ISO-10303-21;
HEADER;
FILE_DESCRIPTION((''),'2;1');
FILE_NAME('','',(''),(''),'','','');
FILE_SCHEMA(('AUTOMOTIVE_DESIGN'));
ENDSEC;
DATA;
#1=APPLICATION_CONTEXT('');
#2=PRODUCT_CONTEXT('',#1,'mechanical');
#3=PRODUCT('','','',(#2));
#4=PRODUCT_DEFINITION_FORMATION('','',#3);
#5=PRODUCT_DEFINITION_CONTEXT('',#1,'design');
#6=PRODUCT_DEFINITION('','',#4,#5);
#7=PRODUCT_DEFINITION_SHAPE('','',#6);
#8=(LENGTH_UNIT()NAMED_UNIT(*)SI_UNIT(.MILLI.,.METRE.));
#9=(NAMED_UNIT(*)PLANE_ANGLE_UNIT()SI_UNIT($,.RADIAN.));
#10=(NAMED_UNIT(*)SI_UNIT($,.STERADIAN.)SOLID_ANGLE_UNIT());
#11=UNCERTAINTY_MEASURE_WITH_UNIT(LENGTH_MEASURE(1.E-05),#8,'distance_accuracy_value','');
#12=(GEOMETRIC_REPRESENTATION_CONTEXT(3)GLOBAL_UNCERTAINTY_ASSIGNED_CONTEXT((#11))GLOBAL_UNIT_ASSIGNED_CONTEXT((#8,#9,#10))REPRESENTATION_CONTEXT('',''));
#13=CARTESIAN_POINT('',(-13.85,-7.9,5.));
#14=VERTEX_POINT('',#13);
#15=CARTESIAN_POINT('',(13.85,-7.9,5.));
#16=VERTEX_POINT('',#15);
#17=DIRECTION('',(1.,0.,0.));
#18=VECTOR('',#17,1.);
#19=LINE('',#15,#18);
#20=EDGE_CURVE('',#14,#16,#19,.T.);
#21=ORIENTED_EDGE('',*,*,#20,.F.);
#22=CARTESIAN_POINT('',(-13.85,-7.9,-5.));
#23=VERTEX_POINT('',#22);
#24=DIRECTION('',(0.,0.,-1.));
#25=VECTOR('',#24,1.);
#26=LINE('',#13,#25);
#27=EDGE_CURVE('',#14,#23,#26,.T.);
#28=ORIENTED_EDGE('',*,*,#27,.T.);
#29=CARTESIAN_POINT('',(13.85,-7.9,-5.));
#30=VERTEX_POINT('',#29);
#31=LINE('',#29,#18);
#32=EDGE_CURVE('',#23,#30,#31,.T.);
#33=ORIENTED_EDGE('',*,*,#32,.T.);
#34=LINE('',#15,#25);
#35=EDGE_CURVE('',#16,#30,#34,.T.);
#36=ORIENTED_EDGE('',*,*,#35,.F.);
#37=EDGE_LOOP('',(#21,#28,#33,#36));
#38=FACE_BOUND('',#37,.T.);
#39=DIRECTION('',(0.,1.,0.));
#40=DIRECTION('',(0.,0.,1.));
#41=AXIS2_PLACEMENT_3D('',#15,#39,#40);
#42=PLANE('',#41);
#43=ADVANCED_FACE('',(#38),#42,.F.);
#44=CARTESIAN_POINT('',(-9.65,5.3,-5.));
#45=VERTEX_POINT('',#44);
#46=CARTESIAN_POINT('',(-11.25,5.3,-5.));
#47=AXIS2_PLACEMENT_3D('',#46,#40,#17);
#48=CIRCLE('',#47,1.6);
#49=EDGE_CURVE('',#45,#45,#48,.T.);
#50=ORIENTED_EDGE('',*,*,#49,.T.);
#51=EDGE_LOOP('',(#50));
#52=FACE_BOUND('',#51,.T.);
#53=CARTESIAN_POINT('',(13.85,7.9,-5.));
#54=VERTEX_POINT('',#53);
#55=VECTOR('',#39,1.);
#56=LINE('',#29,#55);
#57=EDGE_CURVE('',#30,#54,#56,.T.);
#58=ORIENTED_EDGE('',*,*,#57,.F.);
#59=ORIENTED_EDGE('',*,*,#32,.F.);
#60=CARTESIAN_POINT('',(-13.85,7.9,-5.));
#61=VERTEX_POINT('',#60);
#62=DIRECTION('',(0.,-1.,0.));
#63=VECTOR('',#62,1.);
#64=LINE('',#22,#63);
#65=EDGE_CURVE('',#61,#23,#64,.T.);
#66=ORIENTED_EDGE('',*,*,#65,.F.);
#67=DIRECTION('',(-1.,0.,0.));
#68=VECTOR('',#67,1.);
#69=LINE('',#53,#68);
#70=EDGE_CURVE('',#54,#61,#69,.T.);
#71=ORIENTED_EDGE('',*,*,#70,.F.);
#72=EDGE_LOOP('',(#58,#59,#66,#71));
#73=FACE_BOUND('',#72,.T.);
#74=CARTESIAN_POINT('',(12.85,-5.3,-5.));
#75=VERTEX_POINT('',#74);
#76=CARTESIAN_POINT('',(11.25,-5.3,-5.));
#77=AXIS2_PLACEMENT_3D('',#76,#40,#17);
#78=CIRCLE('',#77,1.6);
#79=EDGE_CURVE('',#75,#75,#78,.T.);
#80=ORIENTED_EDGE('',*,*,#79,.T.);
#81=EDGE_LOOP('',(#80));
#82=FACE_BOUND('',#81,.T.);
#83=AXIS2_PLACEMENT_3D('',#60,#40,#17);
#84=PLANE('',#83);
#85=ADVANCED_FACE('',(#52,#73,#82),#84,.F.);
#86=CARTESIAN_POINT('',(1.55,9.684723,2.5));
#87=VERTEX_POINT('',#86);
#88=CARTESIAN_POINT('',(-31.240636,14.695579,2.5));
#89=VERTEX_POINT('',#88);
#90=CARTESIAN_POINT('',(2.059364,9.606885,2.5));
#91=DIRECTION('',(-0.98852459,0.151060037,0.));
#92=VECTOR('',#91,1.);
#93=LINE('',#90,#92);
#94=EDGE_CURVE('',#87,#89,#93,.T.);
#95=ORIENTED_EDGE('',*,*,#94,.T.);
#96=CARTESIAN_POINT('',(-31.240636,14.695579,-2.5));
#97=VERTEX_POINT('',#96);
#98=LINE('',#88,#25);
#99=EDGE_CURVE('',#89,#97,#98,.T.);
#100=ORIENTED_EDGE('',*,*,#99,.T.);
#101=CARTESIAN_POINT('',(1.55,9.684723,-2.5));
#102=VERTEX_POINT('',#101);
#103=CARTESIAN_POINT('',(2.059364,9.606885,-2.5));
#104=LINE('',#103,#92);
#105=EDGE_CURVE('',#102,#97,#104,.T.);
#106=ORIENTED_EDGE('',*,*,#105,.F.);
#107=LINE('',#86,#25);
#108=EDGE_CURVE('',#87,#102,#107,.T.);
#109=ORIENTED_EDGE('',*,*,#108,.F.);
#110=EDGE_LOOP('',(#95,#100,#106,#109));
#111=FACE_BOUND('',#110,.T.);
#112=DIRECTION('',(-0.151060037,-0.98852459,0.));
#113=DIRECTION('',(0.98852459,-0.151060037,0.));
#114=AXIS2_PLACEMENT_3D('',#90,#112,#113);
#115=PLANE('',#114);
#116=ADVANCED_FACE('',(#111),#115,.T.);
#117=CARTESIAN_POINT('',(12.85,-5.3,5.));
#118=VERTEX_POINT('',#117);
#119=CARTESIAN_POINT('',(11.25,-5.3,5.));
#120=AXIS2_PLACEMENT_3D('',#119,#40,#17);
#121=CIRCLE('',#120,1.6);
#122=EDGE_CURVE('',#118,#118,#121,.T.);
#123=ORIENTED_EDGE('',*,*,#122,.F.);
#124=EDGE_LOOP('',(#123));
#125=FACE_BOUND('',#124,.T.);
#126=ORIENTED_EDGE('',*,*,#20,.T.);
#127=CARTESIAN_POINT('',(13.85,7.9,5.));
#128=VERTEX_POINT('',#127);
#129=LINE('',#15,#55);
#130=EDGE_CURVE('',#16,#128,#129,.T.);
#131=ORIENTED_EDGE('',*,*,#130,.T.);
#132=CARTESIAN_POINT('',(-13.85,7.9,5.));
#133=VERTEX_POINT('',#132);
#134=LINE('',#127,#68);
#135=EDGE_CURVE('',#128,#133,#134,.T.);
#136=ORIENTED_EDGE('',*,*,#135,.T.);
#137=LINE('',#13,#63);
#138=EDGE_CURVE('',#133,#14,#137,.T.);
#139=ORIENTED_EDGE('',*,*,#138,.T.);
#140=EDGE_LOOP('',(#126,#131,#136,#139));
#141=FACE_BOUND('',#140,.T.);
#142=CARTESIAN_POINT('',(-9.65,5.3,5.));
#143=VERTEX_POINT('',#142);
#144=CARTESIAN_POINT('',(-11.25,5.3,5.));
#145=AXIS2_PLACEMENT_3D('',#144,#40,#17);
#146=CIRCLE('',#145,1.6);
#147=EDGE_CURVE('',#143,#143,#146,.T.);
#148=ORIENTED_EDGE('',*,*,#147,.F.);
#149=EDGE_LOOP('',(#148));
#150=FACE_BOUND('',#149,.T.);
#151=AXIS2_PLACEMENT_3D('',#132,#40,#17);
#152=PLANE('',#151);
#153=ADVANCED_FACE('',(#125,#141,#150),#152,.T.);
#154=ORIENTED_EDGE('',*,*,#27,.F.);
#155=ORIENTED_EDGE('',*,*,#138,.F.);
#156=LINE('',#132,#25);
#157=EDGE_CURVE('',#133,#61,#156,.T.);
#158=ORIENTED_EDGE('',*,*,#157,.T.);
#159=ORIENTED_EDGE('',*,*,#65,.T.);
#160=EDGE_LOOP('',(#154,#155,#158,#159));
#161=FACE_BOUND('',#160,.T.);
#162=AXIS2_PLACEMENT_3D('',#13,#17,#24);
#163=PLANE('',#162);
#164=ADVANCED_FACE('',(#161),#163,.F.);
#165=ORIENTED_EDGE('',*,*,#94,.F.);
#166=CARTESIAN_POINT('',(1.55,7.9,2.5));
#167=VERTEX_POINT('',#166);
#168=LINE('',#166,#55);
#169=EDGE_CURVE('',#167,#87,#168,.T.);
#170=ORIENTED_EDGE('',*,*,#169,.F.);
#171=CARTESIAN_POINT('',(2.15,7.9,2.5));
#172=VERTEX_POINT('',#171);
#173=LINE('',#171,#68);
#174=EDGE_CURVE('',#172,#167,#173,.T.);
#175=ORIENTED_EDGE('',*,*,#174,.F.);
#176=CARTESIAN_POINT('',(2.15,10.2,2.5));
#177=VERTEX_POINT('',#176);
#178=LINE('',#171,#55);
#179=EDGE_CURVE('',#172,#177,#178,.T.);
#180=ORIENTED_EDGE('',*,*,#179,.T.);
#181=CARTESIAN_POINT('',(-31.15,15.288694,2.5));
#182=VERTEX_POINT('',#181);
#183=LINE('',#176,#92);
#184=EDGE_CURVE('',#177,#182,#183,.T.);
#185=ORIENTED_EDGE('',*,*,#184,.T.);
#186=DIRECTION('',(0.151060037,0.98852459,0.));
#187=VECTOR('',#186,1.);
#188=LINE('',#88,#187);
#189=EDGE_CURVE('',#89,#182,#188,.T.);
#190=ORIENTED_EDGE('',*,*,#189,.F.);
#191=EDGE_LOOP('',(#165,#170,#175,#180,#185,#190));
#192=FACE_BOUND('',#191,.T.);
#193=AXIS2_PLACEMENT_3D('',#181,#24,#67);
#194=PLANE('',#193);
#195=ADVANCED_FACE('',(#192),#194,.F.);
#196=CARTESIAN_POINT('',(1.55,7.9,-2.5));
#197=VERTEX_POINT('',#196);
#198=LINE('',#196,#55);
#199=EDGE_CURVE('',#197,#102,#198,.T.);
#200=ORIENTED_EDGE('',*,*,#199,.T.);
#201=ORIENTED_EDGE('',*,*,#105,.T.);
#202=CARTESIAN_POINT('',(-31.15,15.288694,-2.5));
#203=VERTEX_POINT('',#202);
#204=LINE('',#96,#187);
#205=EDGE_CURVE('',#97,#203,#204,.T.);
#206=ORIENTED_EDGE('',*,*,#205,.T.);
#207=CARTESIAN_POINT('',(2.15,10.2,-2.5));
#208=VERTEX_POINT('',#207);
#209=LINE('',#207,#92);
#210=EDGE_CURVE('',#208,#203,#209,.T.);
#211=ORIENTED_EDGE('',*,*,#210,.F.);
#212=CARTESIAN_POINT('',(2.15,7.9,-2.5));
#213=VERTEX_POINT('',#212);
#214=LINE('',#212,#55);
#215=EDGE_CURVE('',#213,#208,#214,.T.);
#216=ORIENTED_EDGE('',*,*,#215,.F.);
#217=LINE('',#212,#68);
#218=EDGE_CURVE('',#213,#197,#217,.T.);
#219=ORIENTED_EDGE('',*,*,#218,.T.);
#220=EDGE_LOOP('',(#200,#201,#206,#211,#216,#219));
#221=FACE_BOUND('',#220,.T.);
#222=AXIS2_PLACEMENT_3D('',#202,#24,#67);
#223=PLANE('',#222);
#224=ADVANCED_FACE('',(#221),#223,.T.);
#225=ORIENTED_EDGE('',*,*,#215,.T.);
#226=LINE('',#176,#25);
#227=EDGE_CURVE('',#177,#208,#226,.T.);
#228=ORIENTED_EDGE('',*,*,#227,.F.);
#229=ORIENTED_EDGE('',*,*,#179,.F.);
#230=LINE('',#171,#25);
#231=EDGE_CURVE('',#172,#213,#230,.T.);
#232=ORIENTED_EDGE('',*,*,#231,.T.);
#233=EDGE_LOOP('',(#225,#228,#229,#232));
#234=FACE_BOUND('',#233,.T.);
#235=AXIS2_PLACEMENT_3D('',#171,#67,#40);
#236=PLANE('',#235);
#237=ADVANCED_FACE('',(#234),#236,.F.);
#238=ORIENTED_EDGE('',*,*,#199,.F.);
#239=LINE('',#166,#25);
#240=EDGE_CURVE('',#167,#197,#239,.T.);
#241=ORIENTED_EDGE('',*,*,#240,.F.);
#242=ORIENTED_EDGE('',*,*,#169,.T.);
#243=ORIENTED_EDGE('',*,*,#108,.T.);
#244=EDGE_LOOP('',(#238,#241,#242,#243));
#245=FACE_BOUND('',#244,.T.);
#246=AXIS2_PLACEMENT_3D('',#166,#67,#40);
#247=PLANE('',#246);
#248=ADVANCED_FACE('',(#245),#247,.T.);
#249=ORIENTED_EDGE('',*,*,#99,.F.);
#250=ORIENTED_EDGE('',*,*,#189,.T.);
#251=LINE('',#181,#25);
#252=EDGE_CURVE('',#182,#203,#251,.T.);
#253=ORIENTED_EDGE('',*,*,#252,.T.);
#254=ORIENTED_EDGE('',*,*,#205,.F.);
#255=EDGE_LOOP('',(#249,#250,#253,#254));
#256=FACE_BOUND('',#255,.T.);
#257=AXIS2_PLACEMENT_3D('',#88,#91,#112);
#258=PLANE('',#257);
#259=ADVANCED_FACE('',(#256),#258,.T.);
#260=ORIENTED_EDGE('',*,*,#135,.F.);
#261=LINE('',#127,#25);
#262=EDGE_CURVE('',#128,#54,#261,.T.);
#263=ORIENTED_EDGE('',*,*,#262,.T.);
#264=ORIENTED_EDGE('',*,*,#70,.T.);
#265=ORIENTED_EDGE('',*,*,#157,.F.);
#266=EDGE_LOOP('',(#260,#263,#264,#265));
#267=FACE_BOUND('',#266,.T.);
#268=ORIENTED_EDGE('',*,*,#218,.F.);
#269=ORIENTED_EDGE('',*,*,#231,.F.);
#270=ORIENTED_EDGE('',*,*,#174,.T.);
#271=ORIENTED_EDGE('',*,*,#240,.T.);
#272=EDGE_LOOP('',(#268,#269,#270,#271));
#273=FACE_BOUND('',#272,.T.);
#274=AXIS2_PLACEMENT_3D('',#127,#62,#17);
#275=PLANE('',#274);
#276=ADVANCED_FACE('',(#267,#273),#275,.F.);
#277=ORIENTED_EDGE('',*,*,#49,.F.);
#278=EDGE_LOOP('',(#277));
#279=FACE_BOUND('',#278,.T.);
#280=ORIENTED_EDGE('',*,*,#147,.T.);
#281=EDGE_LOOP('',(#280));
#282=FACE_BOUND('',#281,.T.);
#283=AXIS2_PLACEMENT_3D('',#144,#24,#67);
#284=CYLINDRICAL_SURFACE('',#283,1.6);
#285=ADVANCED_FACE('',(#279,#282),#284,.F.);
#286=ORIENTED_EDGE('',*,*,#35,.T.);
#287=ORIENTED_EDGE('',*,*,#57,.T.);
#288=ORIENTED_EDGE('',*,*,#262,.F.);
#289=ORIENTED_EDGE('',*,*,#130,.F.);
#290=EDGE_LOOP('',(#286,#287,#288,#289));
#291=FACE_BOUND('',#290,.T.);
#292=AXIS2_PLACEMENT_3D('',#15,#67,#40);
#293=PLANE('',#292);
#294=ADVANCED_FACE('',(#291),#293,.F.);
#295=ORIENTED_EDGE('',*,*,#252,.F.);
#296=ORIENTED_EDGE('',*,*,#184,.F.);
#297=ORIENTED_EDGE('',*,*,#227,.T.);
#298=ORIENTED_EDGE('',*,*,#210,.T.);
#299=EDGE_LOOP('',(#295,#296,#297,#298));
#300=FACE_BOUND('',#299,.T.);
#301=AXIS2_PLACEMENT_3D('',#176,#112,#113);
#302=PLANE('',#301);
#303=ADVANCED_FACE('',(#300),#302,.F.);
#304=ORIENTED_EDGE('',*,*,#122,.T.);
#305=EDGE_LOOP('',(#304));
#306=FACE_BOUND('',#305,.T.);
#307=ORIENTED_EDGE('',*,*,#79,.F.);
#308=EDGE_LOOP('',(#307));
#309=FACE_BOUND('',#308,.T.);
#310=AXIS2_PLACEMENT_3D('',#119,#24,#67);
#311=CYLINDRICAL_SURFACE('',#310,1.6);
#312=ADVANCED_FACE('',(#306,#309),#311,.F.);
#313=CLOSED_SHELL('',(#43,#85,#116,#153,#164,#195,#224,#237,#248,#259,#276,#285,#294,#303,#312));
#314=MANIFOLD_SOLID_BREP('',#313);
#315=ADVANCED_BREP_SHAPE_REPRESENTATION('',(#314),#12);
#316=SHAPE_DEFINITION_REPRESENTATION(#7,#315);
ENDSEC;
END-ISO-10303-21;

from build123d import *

# Parameters (mm, degrees)
SKETCH_1_W        = 27.7
SKETCH_1_H        = 15.8
SKETCH_1_R        = 1.6
EXTRUDE_1_DEPTH   = 5
EXTRUDE_1_2_DEPTH = 2.5


with BuildPart() as part:
    # ｽｹｯﾁ1 → Extrude 1 (new, symmetric)
    with BuildSketch(Plane.XY):
        Rectangle(SKETCH_1_W, SKETCH_1_H)
        with Locations((-11.25, 5.3)):
            Circle(SKETCH_1_R, mode=Mode.SUBTRACT)
        with Locations((11.25, -5.3)):
            Circle(SKETCH_1_R, mode=Mode.SUBTRACT)
    extrude(amount=EXTRUDE_1_DEPTH, both=True)

    # ｽｹｯﾁ2 → Extrude 1 2 (add, symmetric)
    with BuildSketch(Plane.XY):
        Polygon((2.15, 7.9), (2.15, 10.2), (-31.15, 15.288694067), (-31.240636022, 14.695579313), (1.55, 9.684723007), (1.55, 7.9), align=None)
    extrude(amount=EXTRUDE_1_2_DEPTH, both=True)


solid = part.part
